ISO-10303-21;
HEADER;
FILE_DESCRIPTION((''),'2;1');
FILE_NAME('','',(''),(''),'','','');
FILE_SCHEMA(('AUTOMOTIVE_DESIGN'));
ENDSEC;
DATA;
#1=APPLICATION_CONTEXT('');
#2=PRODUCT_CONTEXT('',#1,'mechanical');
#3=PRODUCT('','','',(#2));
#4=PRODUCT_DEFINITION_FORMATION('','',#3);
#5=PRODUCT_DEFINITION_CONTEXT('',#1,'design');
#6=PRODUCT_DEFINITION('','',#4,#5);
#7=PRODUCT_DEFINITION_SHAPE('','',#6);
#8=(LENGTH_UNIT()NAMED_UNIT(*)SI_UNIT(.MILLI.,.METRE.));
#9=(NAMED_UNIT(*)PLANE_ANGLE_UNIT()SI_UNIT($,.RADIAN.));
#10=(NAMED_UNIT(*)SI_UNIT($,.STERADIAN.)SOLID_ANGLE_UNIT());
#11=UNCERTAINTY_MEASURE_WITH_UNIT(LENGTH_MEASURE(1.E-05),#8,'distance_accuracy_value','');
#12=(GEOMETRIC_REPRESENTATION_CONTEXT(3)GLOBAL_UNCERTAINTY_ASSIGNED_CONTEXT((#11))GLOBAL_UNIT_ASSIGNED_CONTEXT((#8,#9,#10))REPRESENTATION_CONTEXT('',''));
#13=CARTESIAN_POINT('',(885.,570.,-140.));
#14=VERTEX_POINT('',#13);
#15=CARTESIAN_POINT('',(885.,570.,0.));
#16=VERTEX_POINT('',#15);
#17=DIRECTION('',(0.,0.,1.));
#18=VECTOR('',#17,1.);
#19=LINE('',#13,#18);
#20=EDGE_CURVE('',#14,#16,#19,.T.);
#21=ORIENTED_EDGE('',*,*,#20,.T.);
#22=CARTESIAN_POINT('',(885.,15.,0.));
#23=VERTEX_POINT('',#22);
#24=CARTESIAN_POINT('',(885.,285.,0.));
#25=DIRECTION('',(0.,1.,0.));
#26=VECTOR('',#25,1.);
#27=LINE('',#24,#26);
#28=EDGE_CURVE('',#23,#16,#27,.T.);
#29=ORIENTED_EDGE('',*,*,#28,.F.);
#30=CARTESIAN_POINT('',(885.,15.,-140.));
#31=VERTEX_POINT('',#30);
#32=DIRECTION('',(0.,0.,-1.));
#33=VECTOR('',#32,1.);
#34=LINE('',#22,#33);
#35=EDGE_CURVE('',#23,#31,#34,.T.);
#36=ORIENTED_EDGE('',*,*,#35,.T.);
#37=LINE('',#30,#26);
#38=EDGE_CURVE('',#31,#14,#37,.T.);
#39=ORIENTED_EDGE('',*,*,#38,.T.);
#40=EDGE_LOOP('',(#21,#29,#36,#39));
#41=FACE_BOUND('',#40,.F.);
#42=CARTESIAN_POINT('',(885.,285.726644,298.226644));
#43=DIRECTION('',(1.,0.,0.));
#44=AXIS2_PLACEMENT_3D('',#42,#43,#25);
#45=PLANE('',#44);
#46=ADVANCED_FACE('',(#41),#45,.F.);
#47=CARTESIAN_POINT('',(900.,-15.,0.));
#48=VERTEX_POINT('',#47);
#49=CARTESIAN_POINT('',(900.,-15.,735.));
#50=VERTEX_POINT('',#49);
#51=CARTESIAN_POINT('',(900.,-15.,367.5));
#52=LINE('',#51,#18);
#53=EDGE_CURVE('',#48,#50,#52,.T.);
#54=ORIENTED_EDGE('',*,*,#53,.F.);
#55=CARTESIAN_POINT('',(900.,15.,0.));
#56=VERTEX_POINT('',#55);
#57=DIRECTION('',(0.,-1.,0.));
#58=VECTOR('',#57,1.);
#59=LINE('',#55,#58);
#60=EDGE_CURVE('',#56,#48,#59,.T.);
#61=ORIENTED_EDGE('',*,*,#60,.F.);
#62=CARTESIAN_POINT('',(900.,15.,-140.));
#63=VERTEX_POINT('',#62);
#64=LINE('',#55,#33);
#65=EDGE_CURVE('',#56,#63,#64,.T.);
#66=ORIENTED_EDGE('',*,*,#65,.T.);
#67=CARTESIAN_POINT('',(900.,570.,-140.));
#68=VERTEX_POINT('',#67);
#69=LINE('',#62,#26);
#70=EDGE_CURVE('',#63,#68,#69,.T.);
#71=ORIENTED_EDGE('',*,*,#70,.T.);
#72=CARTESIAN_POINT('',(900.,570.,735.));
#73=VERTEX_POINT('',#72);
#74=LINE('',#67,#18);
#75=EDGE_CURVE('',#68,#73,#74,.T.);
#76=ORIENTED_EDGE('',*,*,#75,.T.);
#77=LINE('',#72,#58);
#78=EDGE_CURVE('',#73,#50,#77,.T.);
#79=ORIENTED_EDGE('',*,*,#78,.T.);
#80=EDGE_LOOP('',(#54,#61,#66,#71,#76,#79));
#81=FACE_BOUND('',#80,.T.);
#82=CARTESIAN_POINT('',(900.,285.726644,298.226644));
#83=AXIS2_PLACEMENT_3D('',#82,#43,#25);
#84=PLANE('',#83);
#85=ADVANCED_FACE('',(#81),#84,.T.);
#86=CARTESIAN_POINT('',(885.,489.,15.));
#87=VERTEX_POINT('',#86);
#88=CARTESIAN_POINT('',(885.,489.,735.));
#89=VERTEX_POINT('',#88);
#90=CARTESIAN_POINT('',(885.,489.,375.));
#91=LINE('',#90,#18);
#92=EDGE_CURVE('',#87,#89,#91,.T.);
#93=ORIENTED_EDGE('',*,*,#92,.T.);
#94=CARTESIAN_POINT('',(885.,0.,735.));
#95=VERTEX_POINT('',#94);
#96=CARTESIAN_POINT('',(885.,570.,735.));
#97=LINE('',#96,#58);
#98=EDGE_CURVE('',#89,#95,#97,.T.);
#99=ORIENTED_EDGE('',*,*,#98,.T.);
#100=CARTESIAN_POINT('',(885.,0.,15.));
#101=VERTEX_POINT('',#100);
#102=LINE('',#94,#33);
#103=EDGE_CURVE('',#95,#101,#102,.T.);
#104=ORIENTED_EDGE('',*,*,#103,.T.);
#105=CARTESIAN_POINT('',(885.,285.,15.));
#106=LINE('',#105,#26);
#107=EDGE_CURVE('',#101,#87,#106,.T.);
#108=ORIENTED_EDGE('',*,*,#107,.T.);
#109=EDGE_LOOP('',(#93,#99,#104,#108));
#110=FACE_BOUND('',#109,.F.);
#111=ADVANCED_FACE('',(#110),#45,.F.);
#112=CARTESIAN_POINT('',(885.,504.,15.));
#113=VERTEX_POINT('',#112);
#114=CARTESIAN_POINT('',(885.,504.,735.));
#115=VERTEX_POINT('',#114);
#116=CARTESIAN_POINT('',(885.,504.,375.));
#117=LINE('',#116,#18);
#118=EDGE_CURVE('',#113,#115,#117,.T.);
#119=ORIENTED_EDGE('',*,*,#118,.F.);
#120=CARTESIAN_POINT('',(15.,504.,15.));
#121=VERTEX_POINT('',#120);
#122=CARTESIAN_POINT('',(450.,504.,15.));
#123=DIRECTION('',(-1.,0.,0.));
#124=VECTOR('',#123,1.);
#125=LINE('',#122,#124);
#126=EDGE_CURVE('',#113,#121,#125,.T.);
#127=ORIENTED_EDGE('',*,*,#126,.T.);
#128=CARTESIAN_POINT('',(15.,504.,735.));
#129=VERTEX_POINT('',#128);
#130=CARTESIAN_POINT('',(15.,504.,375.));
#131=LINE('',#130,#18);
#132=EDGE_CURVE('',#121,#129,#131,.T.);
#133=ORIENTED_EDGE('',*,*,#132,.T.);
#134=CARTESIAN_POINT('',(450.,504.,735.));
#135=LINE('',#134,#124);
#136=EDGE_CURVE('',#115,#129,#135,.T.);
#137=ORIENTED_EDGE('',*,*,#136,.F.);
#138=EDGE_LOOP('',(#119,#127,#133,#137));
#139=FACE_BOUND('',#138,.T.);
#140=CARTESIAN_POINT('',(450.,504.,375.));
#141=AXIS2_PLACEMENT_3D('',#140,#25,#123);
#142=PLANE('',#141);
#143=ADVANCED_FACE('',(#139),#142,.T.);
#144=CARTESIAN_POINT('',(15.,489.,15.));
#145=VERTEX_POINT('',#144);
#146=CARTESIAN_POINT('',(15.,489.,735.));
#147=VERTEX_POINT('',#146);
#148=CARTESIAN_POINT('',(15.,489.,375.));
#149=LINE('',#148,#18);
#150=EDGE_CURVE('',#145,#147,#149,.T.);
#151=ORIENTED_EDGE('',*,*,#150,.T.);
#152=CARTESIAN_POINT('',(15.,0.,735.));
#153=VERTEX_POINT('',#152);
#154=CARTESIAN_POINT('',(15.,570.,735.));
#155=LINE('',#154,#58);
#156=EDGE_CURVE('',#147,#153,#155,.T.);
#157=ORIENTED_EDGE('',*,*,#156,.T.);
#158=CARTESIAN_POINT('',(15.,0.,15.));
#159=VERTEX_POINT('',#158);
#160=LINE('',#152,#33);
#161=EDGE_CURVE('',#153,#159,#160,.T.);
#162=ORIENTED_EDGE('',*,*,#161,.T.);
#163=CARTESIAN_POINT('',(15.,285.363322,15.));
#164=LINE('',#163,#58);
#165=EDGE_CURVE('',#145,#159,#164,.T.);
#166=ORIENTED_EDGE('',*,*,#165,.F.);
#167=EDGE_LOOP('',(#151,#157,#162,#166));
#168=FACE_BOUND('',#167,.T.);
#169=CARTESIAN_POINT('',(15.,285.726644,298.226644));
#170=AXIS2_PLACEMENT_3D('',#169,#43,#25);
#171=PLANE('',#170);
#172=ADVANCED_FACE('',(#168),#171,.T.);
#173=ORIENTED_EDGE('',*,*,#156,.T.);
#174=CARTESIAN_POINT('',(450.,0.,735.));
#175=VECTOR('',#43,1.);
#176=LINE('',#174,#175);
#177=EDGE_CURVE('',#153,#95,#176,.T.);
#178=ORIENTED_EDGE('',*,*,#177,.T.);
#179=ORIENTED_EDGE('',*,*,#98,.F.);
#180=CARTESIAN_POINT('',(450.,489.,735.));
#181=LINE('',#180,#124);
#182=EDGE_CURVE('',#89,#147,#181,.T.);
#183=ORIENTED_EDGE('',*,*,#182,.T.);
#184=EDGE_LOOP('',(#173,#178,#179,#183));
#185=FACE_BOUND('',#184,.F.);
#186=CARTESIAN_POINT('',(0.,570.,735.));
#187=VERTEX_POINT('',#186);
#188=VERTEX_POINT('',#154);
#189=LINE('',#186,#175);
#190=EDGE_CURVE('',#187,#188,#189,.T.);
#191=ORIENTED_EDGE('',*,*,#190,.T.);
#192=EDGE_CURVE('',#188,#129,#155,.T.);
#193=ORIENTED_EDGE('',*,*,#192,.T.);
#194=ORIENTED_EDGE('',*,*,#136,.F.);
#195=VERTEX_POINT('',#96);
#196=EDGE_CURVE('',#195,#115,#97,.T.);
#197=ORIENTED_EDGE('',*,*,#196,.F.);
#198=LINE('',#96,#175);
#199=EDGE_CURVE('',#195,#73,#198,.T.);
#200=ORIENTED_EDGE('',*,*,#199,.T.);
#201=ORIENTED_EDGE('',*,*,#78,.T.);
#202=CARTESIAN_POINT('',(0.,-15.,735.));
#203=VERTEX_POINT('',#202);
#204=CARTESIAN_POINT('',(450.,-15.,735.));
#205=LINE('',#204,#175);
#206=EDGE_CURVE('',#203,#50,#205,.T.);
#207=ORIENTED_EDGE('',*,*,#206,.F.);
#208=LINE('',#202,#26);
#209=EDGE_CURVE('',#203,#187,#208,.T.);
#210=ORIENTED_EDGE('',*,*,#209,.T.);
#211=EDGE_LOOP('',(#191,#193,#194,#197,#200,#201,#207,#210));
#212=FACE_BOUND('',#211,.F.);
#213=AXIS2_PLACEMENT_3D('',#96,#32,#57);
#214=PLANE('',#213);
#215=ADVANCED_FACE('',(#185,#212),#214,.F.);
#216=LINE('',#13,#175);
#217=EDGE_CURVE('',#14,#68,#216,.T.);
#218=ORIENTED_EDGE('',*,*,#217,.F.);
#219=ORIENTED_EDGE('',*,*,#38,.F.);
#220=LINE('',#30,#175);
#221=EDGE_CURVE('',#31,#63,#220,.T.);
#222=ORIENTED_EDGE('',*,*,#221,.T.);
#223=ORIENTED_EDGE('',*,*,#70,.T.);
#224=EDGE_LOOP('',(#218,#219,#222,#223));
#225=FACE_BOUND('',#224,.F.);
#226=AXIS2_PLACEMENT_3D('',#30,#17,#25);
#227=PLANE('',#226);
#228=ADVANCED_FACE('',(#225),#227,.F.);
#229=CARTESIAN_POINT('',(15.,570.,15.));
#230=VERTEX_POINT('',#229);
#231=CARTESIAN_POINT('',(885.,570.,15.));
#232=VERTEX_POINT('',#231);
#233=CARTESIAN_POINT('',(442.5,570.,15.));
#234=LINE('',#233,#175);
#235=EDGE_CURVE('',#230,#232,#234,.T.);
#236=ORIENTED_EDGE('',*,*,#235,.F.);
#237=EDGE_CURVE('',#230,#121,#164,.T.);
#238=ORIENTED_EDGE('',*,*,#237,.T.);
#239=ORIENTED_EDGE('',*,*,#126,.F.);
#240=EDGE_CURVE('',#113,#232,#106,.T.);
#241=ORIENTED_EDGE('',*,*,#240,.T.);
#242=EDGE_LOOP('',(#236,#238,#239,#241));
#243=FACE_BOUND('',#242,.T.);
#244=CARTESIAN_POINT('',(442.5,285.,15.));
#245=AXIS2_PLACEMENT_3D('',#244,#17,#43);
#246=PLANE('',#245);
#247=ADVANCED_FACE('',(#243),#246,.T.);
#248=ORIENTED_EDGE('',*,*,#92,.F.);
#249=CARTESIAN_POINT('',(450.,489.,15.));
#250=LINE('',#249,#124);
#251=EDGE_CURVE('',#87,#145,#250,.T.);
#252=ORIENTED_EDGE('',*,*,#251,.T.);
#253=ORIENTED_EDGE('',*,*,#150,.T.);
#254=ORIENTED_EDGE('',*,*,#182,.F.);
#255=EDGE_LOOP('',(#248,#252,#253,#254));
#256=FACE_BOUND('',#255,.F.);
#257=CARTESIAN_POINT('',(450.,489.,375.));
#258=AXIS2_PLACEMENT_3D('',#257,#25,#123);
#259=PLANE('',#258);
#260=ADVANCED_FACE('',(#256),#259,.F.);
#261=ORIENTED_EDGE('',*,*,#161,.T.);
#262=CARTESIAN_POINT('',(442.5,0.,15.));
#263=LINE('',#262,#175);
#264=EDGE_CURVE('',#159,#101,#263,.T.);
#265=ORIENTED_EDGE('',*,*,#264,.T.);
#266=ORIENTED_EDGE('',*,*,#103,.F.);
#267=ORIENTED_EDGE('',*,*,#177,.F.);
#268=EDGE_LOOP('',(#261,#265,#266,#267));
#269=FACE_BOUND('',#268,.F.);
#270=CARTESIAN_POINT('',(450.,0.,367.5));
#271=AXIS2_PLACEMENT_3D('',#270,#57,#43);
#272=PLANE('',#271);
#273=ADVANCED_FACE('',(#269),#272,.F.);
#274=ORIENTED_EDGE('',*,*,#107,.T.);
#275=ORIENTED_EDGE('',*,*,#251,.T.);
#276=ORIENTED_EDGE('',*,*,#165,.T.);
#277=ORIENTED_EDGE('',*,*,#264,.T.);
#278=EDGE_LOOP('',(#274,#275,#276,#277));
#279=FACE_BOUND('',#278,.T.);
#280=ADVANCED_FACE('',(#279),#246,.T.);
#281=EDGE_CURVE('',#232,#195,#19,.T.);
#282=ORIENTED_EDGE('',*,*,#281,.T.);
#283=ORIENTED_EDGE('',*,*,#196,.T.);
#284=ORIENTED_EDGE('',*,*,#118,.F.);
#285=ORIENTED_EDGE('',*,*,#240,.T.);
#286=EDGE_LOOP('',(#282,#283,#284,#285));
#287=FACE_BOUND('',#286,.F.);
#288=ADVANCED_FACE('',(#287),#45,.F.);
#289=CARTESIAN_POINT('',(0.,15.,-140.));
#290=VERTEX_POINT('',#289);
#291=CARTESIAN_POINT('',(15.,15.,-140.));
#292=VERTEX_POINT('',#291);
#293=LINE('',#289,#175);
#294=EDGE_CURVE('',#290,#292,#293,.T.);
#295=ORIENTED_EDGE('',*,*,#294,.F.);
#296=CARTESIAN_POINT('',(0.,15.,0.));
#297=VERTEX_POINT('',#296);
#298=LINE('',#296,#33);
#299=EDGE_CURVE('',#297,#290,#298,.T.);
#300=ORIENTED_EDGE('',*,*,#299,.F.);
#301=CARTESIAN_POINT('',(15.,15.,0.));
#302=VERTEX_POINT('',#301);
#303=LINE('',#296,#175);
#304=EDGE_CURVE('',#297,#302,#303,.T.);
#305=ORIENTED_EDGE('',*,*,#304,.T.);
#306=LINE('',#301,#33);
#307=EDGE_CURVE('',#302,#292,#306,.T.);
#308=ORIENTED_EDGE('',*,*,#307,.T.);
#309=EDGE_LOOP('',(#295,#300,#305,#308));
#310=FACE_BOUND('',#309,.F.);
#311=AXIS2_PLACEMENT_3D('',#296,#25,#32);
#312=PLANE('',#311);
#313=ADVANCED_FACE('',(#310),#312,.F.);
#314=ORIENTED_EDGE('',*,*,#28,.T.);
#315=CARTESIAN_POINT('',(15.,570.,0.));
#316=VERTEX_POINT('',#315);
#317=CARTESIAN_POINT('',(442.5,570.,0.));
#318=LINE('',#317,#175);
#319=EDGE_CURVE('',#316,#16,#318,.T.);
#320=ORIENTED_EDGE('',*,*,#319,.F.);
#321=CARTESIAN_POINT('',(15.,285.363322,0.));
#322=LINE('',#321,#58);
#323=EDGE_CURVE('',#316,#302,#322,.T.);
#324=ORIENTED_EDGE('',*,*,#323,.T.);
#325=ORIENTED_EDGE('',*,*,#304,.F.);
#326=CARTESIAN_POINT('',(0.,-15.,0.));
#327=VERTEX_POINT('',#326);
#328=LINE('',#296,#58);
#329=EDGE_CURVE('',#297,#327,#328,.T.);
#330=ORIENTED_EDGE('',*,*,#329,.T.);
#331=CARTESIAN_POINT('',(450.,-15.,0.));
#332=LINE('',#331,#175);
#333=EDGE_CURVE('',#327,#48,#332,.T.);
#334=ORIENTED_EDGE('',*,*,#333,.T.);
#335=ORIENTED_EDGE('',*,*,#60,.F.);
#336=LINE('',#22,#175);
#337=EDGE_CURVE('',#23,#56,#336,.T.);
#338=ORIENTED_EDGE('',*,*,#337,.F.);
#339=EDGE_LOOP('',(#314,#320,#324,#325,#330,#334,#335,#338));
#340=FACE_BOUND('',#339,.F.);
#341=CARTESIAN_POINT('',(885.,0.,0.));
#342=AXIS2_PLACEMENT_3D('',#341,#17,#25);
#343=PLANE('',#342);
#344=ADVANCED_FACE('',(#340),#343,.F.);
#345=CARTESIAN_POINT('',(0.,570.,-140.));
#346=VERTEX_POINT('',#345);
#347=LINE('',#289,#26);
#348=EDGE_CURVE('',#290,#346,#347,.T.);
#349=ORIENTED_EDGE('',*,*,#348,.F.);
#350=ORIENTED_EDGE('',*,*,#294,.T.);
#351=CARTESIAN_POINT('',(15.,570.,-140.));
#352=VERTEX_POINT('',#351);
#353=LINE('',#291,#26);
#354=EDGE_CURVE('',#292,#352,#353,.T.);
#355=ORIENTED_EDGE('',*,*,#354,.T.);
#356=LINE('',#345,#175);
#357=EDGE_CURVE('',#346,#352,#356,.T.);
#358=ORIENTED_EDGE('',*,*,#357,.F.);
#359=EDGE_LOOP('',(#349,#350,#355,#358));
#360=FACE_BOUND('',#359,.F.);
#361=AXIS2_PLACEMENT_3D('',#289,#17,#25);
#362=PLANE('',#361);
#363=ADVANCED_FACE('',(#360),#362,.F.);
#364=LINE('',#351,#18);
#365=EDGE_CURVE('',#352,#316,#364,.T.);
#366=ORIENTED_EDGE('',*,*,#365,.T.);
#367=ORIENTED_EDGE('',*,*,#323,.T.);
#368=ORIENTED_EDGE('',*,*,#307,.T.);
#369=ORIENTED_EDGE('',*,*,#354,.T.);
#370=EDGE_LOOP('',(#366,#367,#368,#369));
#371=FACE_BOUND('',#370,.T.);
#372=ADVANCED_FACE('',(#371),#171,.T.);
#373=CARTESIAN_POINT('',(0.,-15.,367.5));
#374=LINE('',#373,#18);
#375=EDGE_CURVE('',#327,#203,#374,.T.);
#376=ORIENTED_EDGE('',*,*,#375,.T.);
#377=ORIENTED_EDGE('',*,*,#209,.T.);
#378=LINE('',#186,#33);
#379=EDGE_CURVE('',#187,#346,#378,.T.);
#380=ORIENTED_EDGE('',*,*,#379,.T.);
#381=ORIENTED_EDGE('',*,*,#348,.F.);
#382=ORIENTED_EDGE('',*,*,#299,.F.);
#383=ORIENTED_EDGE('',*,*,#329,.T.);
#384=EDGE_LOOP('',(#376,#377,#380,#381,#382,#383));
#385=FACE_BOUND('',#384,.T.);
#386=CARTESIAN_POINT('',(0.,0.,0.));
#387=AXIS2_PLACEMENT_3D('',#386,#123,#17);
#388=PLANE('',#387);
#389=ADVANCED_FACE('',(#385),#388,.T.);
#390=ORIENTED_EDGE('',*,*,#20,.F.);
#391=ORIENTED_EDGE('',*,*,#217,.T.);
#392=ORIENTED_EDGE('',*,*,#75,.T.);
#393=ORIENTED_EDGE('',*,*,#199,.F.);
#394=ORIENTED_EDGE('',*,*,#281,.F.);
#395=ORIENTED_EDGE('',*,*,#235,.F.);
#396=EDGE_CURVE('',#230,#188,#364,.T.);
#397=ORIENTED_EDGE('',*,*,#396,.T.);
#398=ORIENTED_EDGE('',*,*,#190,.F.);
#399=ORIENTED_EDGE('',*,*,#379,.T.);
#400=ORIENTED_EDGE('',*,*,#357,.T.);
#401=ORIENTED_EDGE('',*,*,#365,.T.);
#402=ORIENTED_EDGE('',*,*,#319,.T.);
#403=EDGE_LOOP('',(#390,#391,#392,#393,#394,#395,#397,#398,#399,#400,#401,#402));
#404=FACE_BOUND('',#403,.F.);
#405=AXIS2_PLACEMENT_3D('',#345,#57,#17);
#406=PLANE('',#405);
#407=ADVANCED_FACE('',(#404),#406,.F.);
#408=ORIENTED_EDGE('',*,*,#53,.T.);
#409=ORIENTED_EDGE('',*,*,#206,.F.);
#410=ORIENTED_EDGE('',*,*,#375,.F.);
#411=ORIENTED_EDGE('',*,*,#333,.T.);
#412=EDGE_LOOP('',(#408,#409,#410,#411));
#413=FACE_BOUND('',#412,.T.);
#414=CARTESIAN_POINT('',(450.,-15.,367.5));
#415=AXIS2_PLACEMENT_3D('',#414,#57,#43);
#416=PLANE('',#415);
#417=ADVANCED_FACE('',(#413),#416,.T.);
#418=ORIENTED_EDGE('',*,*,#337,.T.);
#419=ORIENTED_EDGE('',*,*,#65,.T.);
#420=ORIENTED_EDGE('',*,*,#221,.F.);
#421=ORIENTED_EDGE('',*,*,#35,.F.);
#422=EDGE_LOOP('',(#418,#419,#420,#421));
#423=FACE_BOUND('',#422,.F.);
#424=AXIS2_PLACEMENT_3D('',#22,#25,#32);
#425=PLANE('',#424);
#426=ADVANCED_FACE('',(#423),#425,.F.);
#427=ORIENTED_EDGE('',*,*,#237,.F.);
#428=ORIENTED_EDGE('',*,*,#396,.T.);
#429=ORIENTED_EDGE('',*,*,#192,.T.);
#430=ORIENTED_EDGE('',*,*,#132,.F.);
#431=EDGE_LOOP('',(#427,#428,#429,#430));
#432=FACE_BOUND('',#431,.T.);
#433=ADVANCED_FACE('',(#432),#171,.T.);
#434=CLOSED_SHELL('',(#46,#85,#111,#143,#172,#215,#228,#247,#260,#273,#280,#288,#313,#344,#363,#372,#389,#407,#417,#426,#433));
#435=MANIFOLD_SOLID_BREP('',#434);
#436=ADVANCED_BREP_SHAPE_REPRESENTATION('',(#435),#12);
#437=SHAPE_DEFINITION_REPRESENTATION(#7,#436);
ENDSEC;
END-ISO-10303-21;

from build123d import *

# Parameters (mm, degrees)
F2_DEPTH  = 15
F1_W      = 885
F1_H      = 570
F3_DEPTH  = 15
F4_W      = 900
F4_H      = 735
F5_DEPTH  = 15
F8_DEPTH  = 15
F10_W     = 870
F10_H     = 720
F11_DEPTH = 15


with BuildPart() as f2:
    # F0 (on Right) → F2 (new body)
    with BuildSketch(Plane.YZ):
        Polygon((0, 735), (0, 0), (15, 0), (15, -140), (570, -140), (570, 0), (570, 735), align=None)
    extrude(amount=F2_DEPTH)

    # F1 (on Top) → F3 (join)
    with BuildSketch(Plane.XY):
        with Locations((442.5, 285)):
            Rectangle(F1_W, F1_H)
    extrude(amount=F3_DEPTH)

    # F4 (on Front) → F5 (join)
    with BuildSketch(Plane.XZ):
        with Locations((450, 367.5)):
            Rectangle(F4_W, F4_H)
    extrude(amount=F5_DEPTH)

    # F7 (on offset) → F8 (join)
    with BuildSketch(Plane.YZ.offset(885)):
        Polygon((0, 735), (0, 0), (15, 0), (15, -140), (570, -140), (570, 735), align=None)
    extrude(amount=F8_DEPTH)

    # F10 (on offset) → F11 (join)
    with BuildSketch(Plane(origin=(0, 504, 0), x_dir=(-1, 0, 0), z_dir=(0, 1, 0))):
        with Locations((-450, 375)):
            Rectangle(F10_W, F10_H)
    extrude(amount=-F11_DEPTH)


solid = f2.part
